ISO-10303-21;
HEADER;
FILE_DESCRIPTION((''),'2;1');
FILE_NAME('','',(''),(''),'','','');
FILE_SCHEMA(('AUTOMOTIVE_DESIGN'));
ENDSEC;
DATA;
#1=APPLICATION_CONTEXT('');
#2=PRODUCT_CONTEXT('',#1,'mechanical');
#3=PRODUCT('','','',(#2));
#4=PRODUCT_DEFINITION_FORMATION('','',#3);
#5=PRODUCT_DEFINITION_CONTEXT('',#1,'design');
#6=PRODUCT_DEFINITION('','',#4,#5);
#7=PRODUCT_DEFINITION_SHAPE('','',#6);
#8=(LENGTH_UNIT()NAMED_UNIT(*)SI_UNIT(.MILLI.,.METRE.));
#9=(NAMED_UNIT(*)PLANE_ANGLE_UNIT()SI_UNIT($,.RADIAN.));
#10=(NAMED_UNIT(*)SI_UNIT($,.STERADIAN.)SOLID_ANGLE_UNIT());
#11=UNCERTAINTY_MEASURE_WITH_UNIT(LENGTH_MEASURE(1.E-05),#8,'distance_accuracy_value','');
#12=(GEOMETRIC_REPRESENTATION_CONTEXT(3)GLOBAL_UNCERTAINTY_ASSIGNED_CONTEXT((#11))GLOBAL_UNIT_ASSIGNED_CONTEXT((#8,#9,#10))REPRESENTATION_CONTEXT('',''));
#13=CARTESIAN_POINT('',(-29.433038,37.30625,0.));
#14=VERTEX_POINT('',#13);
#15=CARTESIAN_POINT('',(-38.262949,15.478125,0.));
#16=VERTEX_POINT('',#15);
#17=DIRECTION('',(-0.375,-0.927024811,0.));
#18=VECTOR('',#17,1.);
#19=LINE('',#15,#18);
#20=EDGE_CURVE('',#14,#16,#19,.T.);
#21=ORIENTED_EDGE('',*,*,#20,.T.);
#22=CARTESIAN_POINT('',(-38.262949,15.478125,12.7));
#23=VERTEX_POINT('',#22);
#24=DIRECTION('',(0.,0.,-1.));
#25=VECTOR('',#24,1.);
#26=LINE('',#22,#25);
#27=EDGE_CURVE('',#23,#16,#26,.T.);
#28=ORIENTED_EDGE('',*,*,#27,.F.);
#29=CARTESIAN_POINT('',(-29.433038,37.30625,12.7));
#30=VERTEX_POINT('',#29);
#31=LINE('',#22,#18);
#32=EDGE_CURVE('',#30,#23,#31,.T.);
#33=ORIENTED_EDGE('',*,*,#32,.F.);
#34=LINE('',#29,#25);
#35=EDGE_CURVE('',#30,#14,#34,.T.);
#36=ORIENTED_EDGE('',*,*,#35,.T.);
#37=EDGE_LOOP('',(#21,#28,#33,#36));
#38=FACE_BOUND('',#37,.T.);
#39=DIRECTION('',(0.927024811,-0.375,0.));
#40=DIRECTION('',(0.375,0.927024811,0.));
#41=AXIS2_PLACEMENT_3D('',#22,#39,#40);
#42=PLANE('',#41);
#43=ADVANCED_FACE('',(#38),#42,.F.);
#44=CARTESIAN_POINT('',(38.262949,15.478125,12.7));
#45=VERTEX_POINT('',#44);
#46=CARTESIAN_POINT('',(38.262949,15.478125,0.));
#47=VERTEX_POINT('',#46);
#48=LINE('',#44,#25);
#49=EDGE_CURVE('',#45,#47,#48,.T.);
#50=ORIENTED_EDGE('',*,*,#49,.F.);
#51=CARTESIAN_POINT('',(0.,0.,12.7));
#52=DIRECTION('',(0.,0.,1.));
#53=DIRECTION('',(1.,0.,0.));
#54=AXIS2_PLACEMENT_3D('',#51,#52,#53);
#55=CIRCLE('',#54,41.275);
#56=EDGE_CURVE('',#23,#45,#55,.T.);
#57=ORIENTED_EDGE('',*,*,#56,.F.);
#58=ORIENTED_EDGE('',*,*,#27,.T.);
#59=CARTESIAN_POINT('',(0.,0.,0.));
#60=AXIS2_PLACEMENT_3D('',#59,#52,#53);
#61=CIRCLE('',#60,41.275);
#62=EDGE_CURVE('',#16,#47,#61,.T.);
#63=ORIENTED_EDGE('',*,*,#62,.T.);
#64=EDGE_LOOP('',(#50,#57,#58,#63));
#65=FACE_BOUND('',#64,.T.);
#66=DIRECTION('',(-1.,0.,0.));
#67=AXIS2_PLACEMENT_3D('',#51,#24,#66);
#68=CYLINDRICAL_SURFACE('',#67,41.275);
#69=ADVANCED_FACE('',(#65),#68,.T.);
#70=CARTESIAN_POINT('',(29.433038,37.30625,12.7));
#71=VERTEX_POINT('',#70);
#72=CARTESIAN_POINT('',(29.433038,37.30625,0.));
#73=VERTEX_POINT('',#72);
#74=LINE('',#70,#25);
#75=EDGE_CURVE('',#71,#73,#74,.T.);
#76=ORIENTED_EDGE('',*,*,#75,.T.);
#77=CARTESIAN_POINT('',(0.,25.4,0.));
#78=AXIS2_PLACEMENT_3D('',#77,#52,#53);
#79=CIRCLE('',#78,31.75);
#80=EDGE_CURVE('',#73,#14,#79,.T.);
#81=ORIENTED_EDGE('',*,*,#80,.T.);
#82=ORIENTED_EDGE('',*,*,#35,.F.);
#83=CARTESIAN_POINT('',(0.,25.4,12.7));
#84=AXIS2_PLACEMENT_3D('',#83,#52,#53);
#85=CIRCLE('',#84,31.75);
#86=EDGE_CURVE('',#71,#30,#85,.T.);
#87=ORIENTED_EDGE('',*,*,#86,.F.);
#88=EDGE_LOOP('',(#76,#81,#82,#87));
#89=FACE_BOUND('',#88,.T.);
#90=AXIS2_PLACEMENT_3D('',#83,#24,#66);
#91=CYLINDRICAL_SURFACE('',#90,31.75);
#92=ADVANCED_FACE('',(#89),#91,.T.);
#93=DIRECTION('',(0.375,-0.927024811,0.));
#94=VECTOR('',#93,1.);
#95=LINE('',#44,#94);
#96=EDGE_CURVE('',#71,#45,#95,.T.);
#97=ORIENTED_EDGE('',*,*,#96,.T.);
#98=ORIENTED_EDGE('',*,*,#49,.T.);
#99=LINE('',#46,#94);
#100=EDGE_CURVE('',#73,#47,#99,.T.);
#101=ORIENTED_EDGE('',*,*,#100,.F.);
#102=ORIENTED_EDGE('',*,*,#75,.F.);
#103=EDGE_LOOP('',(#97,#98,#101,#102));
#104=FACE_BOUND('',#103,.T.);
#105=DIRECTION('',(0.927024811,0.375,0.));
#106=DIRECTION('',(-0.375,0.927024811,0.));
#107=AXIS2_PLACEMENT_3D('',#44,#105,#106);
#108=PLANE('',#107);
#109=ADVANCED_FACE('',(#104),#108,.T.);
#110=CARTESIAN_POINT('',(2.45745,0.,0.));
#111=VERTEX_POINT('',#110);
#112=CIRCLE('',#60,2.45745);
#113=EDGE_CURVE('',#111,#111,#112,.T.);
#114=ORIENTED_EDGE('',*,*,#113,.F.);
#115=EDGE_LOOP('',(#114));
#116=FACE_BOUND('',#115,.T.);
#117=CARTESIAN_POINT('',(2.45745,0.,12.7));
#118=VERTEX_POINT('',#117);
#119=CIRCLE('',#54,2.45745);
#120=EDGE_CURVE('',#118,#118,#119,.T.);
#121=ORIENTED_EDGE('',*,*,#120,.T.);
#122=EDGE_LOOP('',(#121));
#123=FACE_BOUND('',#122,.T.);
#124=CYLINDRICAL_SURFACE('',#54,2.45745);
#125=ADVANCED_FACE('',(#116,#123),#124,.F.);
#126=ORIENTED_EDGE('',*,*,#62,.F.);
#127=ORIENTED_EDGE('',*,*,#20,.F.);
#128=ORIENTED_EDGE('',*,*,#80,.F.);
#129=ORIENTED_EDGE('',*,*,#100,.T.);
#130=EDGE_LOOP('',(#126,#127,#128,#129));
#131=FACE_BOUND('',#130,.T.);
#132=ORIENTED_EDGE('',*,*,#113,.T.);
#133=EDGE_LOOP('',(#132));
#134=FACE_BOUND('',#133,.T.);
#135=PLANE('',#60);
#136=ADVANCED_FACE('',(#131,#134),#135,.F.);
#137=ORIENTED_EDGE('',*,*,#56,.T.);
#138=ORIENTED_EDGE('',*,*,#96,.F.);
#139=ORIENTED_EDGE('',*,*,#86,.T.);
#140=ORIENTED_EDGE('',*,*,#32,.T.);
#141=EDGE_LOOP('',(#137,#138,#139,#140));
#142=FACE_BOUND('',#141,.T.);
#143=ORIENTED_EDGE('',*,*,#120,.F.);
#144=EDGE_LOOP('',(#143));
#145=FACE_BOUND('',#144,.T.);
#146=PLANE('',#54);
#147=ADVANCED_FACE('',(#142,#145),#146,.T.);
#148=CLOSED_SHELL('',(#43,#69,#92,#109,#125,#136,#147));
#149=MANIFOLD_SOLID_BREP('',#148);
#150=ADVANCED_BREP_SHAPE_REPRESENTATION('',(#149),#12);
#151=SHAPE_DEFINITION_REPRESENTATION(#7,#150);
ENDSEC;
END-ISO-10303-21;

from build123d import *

# Parameters (mm, degrees)
BOSS_EXTRUDE1_DEPTH          = 12.7
F_10_0_1935_DIAMETER_HOLE1_D = 4.9149


with BuildPart() as part:
    # Sketch1 → Boss-Extrude1 (new body)
    with BuildSketch(Plane.XY):
        with BuildLine():
            ThreePointArc((-38.262949069, 15.478125), (0, -41.275), (38.262949069, 15.478125))
            Line((38.262949069, 15.478125), (29.433037746, 37.30625))
            ThreePointArc((29.433037746, 37.30625), (0, 57.15), (-29.433037746, 37.30625))
            Line((-29.433037746, 37.30625), (-38.262949069, 15.478125))
        make_face()
    extrude(amount=BOSS_EXTRUDE1_DEPTH)

    # #10 (0.1935) Diameter Hole1 (through all)
    with Locations(Plane.XY.offset(12.7)):
        with Locations((0, 0)):
            Hole(F_10_0_1935_DIAMETER_HOLE1_D / 2)


solid = part.part
